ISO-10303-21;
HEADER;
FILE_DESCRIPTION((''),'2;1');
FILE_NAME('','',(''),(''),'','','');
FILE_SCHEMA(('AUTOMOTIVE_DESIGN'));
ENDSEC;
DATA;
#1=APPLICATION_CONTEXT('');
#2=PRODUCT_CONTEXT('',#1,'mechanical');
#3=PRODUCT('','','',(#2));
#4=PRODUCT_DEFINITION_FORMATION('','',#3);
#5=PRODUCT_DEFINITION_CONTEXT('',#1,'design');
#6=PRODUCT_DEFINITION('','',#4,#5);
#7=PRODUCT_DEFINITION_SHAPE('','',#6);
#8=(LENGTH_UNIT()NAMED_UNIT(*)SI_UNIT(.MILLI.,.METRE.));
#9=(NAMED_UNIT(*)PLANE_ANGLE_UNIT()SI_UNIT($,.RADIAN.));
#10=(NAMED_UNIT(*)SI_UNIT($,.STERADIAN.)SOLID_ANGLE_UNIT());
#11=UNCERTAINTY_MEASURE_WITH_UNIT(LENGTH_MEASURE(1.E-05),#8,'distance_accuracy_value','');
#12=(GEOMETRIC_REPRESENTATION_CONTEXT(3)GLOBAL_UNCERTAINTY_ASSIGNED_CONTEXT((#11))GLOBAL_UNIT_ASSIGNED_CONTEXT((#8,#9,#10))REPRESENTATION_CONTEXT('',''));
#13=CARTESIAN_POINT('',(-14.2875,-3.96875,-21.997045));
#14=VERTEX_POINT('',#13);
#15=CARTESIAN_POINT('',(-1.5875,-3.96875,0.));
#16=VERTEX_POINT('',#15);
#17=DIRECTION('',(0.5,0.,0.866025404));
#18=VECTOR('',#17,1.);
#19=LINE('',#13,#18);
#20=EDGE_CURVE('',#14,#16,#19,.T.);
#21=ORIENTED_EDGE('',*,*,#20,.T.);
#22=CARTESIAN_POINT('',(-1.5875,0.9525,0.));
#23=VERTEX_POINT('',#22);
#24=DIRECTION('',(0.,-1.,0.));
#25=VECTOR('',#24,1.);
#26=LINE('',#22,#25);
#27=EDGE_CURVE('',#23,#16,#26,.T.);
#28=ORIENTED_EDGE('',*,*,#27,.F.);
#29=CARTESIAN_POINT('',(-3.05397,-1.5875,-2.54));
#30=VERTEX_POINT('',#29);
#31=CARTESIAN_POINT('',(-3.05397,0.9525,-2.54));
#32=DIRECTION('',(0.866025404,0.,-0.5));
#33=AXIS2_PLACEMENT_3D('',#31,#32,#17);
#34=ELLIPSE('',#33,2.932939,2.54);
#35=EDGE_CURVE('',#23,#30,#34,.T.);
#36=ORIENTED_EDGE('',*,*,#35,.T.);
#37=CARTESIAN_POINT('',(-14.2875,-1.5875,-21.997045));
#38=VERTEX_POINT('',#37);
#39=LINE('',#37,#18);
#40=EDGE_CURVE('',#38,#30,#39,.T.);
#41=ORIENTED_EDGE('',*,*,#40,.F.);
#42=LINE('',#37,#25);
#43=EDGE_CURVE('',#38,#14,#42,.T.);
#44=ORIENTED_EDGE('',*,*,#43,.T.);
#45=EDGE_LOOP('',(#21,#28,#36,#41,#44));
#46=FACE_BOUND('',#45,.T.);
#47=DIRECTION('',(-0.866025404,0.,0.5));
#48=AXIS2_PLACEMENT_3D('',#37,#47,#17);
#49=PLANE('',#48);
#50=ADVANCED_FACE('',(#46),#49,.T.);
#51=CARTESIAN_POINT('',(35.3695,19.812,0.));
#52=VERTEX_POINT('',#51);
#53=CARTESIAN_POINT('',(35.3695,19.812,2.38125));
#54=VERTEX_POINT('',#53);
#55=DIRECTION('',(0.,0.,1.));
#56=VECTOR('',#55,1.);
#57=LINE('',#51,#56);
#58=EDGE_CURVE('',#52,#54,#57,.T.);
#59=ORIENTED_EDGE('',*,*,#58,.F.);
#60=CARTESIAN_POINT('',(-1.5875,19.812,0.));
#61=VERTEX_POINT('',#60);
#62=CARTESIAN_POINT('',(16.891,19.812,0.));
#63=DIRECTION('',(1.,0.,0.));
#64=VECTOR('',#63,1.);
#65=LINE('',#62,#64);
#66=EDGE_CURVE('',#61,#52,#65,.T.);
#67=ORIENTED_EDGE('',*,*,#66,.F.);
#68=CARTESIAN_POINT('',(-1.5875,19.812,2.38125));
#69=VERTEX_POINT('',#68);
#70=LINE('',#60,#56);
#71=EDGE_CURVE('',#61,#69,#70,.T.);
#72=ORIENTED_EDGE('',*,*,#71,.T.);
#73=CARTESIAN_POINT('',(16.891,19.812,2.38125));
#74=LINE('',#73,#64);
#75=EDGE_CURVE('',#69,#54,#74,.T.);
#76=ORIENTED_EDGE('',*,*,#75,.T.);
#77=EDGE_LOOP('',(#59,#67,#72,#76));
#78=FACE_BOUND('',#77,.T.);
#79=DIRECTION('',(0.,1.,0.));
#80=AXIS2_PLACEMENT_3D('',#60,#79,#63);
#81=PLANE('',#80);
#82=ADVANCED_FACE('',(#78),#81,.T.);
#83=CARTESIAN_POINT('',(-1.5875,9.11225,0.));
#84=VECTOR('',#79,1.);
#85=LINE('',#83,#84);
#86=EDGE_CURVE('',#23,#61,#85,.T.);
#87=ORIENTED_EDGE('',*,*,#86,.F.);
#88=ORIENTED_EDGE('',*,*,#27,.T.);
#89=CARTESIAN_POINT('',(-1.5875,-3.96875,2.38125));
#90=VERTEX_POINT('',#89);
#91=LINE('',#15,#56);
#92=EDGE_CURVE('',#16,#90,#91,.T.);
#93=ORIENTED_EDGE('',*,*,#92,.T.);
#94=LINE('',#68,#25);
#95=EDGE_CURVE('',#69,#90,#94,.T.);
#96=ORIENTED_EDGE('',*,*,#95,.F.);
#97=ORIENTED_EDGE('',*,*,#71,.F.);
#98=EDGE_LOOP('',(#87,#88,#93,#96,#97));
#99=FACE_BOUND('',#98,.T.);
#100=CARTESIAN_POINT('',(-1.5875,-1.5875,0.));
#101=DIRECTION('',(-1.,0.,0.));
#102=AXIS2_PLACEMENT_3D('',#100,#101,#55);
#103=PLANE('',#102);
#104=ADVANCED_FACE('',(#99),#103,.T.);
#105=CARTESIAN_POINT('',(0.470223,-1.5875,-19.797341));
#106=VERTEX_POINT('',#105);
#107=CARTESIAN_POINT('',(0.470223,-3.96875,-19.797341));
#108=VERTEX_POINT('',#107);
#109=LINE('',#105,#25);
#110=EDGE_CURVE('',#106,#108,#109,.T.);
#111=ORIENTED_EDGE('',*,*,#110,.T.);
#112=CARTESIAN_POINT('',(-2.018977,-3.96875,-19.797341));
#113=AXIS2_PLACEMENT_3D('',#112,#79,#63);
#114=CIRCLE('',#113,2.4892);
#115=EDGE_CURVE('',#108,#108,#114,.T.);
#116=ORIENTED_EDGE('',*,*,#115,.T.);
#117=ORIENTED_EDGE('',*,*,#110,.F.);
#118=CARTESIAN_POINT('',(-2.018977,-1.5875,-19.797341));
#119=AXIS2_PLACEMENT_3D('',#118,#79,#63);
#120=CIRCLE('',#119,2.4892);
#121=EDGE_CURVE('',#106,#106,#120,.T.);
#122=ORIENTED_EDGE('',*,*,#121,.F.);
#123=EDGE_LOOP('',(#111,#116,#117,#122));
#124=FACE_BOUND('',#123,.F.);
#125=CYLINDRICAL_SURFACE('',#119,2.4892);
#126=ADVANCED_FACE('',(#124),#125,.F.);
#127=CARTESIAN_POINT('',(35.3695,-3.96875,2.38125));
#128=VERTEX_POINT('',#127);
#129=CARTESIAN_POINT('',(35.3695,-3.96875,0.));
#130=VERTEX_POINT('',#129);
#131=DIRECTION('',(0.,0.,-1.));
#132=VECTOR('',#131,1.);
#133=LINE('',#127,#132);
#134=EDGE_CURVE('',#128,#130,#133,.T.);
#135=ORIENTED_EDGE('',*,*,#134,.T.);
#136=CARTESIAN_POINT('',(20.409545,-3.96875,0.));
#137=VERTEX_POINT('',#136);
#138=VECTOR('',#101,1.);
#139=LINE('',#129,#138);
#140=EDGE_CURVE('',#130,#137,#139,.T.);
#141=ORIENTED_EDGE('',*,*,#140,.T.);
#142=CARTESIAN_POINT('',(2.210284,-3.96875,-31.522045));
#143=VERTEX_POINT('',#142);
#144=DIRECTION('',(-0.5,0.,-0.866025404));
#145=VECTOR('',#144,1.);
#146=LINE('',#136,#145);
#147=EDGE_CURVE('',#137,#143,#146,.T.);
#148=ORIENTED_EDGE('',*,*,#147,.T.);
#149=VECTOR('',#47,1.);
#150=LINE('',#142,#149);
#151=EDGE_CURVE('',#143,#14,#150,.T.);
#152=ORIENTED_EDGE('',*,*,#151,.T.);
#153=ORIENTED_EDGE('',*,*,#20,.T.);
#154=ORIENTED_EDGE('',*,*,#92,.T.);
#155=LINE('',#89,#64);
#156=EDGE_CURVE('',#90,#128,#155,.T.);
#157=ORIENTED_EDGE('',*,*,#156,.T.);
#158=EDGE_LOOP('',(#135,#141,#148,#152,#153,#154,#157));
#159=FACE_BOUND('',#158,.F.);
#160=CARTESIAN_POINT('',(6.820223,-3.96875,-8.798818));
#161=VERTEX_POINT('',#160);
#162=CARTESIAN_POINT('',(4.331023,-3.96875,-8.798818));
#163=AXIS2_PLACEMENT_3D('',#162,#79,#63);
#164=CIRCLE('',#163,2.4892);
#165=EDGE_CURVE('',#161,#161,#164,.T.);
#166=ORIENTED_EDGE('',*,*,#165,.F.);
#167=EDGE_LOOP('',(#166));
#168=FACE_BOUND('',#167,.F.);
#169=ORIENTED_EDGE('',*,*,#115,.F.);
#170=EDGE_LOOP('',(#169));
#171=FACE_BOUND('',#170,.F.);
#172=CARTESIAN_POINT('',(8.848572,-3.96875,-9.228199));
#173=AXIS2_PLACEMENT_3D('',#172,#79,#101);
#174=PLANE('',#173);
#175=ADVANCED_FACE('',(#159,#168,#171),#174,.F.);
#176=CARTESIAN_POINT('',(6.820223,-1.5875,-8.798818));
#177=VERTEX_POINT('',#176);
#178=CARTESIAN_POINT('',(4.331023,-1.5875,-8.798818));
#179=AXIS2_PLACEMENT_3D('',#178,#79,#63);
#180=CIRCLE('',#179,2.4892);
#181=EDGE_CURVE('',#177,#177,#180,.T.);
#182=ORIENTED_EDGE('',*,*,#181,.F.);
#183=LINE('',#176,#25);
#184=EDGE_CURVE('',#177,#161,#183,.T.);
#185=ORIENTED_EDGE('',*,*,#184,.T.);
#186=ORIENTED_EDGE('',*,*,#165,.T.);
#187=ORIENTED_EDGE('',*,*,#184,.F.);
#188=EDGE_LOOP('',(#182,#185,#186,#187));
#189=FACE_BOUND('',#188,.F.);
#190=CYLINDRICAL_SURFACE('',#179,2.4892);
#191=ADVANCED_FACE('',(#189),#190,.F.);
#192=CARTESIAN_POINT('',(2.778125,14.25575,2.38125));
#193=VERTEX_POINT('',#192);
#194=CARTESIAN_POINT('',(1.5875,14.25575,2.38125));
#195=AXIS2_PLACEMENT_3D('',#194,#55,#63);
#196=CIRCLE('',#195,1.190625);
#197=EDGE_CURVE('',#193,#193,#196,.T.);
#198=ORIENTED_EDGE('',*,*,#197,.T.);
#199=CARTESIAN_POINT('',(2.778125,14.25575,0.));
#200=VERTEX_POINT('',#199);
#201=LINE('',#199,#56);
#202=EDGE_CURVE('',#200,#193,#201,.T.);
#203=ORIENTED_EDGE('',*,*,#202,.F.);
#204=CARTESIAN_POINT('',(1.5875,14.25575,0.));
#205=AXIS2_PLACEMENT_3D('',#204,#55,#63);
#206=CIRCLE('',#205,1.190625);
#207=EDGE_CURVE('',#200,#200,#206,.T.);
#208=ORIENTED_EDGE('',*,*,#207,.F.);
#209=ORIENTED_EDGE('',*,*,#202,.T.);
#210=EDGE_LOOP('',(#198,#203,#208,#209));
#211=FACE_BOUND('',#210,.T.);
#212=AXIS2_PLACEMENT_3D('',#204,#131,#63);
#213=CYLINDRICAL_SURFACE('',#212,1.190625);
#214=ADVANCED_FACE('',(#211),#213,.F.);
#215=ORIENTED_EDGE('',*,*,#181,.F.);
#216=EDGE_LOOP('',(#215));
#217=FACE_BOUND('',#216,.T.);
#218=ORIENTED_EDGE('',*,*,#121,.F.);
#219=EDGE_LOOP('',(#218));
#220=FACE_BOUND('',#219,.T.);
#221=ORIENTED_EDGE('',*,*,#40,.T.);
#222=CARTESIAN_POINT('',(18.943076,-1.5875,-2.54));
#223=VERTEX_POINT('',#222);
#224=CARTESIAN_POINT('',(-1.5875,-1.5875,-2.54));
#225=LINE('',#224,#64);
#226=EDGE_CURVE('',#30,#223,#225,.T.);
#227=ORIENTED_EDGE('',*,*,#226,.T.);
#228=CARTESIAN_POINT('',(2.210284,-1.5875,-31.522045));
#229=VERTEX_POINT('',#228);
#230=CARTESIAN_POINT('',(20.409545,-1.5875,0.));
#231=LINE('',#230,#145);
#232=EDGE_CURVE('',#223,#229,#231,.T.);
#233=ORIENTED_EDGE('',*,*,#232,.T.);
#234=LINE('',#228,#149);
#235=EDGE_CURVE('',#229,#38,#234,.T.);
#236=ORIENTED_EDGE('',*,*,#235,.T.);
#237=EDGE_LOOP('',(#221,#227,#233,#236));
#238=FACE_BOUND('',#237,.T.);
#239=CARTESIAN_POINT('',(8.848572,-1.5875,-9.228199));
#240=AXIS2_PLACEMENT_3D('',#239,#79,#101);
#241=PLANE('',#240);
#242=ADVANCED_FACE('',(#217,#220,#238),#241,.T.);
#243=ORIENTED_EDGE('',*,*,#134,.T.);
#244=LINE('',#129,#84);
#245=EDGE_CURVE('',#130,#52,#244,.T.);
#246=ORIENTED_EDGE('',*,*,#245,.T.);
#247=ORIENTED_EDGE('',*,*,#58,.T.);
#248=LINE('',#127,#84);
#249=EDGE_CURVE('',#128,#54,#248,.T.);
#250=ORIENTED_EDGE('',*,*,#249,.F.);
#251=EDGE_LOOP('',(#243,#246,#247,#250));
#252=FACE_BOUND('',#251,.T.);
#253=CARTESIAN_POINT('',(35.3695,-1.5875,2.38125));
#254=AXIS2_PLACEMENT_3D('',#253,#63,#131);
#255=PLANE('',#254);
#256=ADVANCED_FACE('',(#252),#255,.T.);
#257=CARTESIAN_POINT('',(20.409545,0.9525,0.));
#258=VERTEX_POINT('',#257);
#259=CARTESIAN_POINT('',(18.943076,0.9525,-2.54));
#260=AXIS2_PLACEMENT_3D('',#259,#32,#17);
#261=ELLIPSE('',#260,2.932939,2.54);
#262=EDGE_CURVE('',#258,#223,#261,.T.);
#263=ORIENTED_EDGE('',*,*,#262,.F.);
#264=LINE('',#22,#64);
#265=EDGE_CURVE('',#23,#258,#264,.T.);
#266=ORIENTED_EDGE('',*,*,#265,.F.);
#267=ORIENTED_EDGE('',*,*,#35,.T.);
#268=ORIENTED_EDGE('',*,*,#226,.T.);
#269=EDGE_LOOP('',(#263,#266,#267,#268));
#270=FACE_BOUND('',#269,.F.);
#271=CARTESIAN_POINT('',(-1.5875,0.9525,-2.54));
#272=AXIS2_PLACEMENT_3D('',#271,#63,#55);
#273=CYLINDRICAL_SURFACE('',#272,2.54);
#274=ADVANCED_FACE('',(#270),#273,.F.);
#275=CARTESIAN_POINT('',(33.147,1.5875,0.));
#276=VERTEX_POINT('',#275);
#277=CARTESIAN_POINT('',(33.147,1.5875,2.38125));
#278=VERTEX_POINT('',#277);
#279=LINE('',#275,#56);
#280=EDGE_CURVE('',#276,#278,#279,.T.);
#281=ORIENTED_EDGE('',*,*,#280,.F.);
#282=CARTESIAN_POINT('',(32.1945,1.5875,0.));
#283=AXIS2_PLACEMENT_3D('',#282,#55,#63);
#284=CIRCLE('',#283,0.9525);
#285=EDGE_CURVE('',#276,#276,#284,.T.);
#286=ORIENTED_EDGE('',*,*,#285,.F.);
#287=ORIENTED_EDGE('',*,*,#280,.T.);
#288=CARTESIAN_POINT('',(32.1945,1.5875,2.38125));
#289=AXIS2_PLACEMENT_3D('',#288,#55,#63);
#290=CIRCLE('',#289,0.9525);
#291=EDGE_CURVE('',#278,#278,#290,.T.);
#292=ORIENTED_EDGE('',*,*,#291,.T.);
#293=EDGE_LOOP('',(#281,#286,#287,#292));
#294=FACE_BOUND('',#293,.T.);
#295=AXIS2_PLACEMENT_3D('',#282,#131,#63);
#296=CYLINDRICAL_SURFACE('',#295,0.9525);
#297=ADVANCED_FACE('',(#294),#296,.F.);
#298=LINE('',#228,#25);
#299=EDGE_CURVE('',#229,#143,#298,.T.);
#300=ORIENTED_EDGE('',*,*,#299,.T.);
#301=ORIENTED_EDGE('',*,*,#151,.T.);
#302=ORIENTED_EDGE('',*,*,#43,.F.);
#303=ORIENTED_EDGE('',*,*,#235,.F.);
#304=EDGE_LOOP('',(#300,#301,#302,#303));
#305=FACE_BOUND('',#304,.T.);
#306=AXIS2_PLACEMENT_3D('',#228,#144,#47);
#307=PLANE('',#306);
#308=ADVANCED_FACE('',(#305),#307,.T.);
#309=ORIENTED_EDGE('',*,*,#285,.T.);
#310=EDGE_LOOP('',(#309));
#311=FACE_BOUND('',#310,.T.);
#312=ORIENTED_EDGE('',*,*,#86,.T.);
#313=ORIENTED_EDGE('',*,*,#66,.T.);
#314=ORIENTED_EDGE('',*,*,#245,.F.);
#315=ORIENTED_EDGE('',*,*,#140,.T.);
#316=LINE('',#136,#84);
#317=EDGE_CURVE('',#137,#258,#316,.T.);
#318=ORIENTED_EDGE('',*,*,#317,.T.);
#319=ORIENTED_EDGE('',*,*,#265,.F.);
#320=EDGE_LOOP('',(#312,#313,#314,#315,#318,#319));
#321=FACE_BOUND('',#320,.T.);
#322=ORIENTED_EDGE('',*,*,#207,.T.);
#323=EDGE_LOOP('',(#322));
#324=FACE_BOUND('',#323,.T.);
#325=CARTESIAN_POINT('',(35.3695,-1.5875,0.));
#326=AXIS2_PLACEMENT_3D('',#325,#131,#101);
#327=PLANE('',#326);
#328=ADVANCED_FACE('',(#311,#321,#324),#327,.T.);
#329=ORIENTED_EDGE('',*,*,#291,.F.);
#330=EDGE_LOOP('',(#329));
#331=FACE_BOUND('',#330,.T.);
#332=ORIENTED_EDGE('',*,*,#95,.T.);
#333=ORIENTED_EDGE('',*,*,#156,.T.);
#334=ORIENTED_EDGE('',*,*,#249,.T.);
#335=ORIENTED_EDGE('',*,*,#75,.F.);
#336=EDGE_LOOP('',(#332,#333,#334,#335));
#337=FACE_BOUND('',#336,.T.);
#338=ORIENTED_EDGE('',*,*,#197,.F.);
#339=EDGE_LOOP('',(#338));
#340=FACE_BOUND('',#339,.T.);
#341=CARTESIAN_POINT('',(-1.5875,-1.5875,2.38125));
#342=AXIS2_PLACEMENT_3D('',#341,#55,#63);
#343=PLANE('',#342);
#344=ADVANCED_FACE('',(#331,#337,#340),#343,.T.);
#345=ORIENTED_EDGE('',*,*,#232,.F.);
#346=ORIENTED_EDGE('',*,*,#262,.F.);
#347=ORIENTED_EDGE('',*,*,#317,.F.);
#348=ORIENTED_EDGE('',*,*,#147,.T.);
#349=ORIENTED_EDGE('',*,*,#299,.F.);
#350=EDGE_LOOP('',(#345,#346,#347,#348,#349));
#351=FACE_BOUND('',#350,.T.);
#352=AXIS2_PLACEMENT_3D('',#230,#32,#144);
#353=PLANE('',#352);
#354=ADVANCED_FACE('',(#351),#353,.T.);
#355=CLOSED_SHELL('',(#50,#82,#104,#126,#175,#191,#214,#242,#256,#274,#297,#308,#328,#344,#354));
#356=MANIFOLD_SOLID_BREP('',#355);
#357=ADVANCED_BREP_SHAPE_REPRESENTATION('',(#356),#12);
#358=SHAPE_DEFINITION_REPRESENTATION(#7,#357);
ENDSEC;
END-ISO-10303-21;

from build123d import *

# Parameters (mm, degrees)
SKETCH1_W           = 36.957
SKETCH1_H           = 21.3995
SKETCH1_R           = 1.190625
SKETCH1_R_2         = 0.9525
BOSS_EXTRUDE1_DEPTH = 2.38125
BOSS_EXTRUDE3_DEPTH = 2.38125
CUT_EXTRUDE2_REACH  = 4.381
SKETCH4_R           = 2.4892
FILLET1_R           = 2.54


with BuildPart() as part:
    # Sketch1 → Boss-Extrude1 (new body)
    with BuildSketch(Plane.XY):
        with Locations((16.891, 9.11225)):
            Rectangle(SKETCH1_W, SKETCH1_H)
        with Locations((1.5875, 14.25575)):
            Circle(SKETCH1_R, mode=Mode.SUBTRACT)
        with Locations((32.1945, 1.5875)):
            Circle(SKETCH1_R_2, mode=Mode.SUBTRACT)
    extrude(amount=BOSS_EXTRUDE1_DEPTH)

    # Sketch2 → Boss-Extrude3 (add)
    with BuildSketch(Plane.XZ.offset(1.5875)):
        Polygon((-1.5875, 2.38125), (35.3695, 2.38125), (35.3695, 0), (20.409545256, 0), (2.210283942, -31.522045256), (-14.2875, -21.997045256), (-1.5875, 0), align=None)
    extrude(amount=BOSS_EXTRUDE3_DEPTH)

    # Sketch4 → Cut-Extrude2 (cut, up to next)
    with BuildSketch(Plane(origin=(0, -1.5875, 0), x_dir=(1, 0, 0), z_dir=(0, 1, 0)), mode=Mode.PRIVATE) as cut_extrude2_sk1:
        with Locations((-2.018977372, 19.797340731)):
            Circle(SKETCH4_R)
    cut_extrude2_tool1 = extrude(cut_extrude2_sk1.sketch, amount=-CUT_EXTRUDE2_REACH, mode=Mode.PRIVATE) & part.part
    add(cut_extrude2_tool1.solids().sort_by_distance((-2.018977, -1.5875, -19.797341))[0], mode=Mode.SUBTRACT)
    # Sketch4 → Cut-Extrude2 (cut, up to next)
    with BuildSketch(Plane(origin=(0, -1.5875, 0), x_dir=(1, 0, 0), z_dir=(0, 1, 0)), mode=Mode.PRIVATE) as cut_extrude2_sk2:
        with Locations((4.331022628, 8.798818102)):
            Circle(SKETCH4_R)
    cut_extrude2_tool2 = extrude(cut_extrude2_sk2.sketch, amount=-CUT_EXTRUDE2_REACH, mode=Mode.PRIVATE) & part.part
    add(cut_extrude2_tool2.solids().sort_by_distance((4.331023, -1.5875, -8.798818))[0], mode=Mode.SUBTRACT)

    # Fillet1
    fillet1_edges = [part.edges().sort_by_distance(p)[0] for p in [
        (9.411022628, -1.5875, 0),
    ]]
    fillet(fillet1_edges, radius=FILLET1_R)


solid = part.part
